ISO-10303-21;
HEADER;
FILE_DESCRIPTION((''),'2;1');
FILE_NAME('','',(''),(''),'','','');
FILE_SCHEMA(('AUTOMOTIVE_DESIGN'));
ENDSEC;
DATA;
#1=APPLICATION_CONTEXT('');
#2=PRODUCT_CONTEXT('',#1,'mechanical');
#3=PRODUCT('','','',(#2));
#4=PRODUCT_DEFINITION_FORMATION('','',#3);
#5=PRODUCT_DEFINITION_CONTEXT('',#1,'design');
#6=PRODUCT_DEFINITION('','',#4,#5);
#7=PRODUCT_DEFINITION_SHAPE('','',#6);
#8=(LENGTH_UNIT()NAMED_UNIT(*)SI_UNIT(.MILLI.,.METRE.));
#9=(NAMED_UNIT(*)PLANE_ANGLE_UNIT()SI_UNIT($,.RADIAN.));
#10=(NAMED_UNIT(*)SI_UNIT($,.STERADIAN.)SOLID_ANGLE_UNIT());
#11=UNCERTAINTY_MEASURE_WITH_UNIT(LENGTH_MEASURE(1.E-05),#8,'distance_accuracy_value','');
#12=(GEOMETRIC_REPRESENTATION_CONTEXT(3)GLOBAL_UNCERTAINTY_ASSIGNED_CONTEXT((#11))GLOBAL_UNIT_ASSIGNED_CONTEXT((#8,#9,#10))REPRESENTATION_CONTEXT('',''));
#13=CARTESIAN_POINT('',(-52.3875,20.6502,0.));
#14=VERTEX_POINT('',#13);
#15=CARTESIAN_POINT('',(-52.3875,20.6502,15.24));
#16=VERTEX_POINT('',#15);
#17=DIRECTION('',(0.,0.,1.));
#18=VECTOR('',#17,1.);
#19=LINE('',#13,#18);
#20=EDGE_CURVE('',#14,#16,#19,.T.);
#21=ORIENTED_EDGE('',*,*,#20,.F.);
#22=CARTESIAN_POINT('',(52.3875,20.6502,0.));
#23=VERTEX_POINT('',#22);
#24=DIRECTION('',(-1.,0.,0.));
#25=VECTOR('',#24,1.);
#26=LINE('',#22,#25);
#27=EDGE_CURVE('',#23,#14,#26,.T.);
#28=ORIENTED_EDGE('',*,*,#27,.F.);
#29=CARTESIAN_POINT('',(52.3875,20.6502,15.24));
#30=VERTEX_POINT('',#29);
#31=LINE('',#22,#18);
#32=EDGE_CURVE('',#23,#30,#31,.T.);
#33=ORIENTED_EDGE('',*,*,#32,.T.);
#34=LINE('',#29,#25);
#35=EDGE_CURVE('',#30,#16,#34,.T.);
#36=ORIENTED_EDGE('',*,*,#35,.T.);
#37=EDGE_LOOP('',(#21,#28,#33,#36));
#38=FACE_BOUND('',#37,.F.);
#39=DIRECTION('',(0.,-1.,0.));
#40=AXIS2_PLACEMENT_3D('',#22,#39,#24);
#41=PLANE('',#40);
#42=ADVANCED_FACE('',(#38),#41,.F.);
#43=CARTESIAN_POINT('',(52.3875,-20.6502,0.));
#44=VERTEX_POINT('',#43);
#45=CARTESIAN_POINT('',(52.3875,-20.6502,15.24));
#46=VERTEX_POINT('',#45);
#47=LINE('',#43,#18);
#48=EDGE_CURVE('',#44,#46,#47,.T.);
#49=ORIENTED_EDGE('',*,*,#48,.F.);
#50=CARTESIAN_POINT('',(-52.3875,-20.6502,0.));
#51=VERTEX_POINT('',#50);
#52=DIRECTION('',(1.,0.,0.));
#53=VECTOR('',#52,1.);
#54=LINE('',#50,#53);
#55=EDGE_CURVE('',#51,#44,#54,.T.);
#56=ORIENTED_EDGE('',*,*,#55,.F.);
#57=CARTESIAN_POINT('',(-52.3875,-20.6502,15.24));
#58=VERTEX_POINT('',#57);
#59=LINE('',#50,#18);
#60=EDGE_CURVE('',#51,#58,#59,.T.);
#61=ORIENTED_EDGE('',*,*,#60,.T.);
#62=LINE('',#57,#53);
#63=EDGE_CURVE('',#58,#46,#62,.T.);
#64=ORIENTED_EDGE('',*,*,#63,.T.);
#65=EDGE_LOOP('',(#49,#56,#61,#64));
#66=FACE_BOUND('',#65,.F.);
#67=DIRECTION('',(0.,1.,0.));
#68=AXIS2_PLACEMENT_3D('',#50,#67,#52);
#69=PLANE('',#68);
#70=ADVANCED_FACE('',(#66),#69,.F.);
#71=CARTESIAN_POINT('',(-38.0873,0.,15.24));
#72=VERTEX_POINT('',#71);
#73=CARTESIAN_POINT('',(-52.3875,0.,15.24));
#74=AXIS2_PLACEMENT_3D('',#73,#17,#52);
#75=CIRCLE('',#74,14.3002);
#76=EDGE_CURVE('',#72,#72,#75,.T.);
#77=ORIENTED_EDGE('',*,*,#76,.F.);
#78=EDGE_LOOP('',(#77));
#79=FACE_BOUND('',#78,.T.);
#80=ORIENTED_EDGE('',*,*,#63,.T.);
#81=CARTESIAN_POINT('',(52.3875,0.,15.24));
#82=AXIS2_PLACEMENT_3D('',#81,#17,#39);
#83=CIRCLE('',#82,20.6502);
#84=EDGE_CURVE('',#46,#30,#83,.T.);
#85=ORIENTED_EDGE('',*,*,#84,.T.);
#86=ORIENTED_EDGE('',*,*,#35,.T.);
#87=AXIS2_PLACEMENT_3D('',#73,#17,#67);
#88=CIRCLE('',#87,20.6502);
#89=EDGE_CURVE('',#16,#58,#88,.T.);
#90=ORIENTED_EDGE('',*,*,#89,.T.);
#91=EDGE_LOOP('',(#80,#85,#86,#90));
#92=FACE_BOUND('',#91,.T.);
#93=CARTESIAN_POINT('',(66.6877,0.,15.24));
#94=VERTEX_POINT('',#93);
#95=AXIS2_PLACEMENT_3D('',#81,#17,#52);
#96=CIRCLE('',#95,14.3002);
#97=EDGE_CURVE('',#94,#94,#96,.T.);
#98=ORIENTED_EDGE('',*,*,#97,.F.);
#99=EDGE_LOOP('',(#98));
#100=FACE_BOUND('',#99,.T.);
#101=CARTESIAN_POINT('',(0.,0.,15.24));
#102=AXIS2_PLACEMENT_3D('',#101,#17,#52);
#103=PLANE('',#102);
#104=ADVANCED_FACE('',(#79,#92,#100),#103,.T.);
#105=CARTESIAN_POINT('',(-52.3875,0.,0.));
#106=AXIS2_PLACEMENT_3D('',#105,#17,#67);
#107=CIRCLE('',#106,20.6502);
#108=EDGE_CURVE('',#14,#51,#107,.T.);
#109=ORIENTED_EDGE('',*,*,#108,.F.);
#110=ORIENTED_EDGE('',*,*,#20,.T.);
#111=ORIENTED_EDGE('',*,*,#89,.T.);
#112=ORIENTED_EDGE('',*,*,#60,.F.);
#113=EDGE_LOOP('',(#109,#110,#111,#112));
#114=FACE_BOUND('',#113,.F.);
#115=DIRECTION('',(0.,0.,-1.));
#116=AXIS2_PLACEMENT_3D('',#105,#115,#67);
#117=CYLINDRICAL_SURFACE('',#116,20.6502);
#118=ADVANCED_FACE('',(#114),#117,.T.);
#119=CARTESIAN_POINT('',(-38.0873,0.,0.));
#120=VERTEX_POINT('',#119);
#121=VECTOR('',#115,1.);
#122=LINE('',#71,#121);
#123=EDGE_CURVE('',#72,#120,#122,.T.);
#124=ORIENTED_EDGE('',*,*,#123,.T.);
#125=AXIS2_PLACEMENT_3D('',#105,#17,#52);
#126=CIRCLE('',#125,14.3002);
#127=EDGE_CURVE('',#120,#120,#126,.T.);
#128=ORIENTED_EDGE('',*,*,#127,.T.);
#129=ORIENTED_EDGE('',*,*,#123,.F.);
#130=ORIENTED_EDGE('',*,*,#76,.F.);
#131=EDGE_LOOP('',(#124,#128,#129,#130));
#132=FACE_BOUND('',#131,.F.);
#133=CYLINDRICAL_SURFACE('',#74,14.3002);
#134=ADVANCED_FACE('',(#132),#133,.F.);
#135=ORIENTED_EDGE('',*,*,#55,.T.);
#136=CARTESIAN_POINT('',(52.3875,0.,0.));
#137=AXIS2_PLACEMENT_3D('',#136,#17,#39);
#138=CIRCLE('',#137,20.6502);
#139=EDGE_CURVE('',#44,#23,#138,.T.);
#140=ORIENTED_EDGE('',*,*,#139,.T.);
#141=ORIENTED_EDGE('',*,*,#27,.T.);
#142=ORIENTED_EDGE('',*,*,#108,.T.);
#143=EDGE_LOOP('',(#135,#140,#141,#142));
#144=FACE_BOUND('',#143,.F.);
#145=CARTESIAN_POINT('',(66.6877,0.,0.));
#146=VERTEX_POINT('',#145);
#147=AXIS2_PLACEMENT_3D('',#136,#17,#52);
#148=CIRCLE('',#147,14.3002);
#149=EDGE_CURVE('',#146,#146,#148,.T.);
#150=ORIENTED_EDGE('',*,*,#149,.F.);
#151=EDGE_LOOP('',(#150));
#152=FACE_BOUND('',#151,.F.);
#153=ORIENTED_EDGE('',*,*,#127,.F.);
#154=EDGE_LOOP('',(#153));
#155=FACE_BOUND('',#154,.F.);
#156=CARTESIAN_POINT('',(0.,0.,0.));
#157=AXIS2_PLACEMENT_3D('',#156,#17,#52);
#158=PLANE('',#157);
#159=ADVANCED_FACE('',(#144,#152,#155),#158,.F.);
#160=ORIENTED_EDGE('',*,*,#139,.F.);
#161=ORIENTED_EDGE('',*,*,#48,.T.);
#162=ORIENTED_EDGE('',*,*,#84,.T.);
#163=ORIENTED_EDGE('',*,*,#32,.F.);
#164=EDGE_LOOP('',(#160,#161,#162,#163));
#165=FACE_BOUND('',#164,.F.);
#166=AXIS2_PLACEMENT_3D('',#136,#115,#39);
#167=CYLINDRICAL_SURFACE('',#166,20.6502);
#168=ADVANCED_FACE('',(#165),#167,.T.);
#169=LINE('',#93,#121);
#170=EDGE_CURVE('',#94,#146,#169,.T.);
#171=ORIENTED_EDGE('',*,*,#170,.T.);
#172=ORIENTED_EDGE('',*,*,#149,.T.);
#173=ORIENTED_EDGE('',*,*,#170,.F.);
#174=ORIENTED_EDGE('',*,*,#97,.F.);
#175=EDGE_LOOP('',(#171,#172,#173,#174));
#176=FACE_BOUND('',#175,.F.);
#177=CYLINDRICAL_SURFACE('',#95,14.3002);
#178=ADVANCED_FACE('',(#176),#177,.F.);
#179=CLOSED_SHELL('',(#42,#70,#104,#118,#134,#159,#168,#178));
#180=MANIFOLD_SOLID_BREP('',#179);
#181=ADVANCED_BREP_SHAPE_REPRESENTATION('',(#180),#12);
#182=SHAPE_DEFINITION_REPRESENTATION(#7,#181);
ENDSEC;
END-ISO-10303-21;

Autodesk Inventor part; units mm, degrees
ref_plane "YZ Plane" through (0, 0, 0) normal (1, 0, 0) x (0, 1, 0)
ref_plane "XZ Plane" through (0, 0, 0) normal (0, 1, 0) x (-1, 0, 0)
ref_plane "XY Plane" through (0, 0, 0) normal (0, 0, 1) x (1, 0, 0)
sketch "Sketch1" plane through (0, 0, 0) normal (0, 0, 1) x (1, 0, 0)
  line L0 (-52.3875, 0) -> (52.3875, 0) construction
  line L1 (-52.3875, -20.6502) -> (52.3875, -20.6502)
  line L2 (52.3875, 20.6502) -> (-52.3875, 20.6502)
  arc A0 (-52.3875, 20.6502) -> (-52.3875, -20.6502) centre (-52.3875, 0) ccw
  arc A1 (52.3875, -20.6502) -> (52.3875, 20.6502) centre (52.3875, 0) ccw
  point P0 (0, 0)
  dimension "d0" = 104.775
  dimension "d1" = 20.6502
extrude "Extrusion1" add sketch "Sketch1" along normal blind 15.24
sketch "Sketch2" plane through (0, 0, 15.24) normal (0, 0, 1) x (1, 0, 0)
  arc A0 (-52.3875, 20.6502) -> (-52.3875, -20.6502) centre (-52.3875, 0) ccw projected
  circle A1 centre (-52.3875, 0) radius 14.3002
  arc A2 (52.3875, -20.6502) -> (52.3875, 20.6502) centre (52.3875, 0) ccw projected
  circle A3 centre (52.3875, 0) radius 14.3002
  point P0 (0, 0)
  dimension "d4" = 28.6004
extrude "Extrusion2" cut sketch "Sketch2" against normal through all
properties part number "IntakeChainLink"
